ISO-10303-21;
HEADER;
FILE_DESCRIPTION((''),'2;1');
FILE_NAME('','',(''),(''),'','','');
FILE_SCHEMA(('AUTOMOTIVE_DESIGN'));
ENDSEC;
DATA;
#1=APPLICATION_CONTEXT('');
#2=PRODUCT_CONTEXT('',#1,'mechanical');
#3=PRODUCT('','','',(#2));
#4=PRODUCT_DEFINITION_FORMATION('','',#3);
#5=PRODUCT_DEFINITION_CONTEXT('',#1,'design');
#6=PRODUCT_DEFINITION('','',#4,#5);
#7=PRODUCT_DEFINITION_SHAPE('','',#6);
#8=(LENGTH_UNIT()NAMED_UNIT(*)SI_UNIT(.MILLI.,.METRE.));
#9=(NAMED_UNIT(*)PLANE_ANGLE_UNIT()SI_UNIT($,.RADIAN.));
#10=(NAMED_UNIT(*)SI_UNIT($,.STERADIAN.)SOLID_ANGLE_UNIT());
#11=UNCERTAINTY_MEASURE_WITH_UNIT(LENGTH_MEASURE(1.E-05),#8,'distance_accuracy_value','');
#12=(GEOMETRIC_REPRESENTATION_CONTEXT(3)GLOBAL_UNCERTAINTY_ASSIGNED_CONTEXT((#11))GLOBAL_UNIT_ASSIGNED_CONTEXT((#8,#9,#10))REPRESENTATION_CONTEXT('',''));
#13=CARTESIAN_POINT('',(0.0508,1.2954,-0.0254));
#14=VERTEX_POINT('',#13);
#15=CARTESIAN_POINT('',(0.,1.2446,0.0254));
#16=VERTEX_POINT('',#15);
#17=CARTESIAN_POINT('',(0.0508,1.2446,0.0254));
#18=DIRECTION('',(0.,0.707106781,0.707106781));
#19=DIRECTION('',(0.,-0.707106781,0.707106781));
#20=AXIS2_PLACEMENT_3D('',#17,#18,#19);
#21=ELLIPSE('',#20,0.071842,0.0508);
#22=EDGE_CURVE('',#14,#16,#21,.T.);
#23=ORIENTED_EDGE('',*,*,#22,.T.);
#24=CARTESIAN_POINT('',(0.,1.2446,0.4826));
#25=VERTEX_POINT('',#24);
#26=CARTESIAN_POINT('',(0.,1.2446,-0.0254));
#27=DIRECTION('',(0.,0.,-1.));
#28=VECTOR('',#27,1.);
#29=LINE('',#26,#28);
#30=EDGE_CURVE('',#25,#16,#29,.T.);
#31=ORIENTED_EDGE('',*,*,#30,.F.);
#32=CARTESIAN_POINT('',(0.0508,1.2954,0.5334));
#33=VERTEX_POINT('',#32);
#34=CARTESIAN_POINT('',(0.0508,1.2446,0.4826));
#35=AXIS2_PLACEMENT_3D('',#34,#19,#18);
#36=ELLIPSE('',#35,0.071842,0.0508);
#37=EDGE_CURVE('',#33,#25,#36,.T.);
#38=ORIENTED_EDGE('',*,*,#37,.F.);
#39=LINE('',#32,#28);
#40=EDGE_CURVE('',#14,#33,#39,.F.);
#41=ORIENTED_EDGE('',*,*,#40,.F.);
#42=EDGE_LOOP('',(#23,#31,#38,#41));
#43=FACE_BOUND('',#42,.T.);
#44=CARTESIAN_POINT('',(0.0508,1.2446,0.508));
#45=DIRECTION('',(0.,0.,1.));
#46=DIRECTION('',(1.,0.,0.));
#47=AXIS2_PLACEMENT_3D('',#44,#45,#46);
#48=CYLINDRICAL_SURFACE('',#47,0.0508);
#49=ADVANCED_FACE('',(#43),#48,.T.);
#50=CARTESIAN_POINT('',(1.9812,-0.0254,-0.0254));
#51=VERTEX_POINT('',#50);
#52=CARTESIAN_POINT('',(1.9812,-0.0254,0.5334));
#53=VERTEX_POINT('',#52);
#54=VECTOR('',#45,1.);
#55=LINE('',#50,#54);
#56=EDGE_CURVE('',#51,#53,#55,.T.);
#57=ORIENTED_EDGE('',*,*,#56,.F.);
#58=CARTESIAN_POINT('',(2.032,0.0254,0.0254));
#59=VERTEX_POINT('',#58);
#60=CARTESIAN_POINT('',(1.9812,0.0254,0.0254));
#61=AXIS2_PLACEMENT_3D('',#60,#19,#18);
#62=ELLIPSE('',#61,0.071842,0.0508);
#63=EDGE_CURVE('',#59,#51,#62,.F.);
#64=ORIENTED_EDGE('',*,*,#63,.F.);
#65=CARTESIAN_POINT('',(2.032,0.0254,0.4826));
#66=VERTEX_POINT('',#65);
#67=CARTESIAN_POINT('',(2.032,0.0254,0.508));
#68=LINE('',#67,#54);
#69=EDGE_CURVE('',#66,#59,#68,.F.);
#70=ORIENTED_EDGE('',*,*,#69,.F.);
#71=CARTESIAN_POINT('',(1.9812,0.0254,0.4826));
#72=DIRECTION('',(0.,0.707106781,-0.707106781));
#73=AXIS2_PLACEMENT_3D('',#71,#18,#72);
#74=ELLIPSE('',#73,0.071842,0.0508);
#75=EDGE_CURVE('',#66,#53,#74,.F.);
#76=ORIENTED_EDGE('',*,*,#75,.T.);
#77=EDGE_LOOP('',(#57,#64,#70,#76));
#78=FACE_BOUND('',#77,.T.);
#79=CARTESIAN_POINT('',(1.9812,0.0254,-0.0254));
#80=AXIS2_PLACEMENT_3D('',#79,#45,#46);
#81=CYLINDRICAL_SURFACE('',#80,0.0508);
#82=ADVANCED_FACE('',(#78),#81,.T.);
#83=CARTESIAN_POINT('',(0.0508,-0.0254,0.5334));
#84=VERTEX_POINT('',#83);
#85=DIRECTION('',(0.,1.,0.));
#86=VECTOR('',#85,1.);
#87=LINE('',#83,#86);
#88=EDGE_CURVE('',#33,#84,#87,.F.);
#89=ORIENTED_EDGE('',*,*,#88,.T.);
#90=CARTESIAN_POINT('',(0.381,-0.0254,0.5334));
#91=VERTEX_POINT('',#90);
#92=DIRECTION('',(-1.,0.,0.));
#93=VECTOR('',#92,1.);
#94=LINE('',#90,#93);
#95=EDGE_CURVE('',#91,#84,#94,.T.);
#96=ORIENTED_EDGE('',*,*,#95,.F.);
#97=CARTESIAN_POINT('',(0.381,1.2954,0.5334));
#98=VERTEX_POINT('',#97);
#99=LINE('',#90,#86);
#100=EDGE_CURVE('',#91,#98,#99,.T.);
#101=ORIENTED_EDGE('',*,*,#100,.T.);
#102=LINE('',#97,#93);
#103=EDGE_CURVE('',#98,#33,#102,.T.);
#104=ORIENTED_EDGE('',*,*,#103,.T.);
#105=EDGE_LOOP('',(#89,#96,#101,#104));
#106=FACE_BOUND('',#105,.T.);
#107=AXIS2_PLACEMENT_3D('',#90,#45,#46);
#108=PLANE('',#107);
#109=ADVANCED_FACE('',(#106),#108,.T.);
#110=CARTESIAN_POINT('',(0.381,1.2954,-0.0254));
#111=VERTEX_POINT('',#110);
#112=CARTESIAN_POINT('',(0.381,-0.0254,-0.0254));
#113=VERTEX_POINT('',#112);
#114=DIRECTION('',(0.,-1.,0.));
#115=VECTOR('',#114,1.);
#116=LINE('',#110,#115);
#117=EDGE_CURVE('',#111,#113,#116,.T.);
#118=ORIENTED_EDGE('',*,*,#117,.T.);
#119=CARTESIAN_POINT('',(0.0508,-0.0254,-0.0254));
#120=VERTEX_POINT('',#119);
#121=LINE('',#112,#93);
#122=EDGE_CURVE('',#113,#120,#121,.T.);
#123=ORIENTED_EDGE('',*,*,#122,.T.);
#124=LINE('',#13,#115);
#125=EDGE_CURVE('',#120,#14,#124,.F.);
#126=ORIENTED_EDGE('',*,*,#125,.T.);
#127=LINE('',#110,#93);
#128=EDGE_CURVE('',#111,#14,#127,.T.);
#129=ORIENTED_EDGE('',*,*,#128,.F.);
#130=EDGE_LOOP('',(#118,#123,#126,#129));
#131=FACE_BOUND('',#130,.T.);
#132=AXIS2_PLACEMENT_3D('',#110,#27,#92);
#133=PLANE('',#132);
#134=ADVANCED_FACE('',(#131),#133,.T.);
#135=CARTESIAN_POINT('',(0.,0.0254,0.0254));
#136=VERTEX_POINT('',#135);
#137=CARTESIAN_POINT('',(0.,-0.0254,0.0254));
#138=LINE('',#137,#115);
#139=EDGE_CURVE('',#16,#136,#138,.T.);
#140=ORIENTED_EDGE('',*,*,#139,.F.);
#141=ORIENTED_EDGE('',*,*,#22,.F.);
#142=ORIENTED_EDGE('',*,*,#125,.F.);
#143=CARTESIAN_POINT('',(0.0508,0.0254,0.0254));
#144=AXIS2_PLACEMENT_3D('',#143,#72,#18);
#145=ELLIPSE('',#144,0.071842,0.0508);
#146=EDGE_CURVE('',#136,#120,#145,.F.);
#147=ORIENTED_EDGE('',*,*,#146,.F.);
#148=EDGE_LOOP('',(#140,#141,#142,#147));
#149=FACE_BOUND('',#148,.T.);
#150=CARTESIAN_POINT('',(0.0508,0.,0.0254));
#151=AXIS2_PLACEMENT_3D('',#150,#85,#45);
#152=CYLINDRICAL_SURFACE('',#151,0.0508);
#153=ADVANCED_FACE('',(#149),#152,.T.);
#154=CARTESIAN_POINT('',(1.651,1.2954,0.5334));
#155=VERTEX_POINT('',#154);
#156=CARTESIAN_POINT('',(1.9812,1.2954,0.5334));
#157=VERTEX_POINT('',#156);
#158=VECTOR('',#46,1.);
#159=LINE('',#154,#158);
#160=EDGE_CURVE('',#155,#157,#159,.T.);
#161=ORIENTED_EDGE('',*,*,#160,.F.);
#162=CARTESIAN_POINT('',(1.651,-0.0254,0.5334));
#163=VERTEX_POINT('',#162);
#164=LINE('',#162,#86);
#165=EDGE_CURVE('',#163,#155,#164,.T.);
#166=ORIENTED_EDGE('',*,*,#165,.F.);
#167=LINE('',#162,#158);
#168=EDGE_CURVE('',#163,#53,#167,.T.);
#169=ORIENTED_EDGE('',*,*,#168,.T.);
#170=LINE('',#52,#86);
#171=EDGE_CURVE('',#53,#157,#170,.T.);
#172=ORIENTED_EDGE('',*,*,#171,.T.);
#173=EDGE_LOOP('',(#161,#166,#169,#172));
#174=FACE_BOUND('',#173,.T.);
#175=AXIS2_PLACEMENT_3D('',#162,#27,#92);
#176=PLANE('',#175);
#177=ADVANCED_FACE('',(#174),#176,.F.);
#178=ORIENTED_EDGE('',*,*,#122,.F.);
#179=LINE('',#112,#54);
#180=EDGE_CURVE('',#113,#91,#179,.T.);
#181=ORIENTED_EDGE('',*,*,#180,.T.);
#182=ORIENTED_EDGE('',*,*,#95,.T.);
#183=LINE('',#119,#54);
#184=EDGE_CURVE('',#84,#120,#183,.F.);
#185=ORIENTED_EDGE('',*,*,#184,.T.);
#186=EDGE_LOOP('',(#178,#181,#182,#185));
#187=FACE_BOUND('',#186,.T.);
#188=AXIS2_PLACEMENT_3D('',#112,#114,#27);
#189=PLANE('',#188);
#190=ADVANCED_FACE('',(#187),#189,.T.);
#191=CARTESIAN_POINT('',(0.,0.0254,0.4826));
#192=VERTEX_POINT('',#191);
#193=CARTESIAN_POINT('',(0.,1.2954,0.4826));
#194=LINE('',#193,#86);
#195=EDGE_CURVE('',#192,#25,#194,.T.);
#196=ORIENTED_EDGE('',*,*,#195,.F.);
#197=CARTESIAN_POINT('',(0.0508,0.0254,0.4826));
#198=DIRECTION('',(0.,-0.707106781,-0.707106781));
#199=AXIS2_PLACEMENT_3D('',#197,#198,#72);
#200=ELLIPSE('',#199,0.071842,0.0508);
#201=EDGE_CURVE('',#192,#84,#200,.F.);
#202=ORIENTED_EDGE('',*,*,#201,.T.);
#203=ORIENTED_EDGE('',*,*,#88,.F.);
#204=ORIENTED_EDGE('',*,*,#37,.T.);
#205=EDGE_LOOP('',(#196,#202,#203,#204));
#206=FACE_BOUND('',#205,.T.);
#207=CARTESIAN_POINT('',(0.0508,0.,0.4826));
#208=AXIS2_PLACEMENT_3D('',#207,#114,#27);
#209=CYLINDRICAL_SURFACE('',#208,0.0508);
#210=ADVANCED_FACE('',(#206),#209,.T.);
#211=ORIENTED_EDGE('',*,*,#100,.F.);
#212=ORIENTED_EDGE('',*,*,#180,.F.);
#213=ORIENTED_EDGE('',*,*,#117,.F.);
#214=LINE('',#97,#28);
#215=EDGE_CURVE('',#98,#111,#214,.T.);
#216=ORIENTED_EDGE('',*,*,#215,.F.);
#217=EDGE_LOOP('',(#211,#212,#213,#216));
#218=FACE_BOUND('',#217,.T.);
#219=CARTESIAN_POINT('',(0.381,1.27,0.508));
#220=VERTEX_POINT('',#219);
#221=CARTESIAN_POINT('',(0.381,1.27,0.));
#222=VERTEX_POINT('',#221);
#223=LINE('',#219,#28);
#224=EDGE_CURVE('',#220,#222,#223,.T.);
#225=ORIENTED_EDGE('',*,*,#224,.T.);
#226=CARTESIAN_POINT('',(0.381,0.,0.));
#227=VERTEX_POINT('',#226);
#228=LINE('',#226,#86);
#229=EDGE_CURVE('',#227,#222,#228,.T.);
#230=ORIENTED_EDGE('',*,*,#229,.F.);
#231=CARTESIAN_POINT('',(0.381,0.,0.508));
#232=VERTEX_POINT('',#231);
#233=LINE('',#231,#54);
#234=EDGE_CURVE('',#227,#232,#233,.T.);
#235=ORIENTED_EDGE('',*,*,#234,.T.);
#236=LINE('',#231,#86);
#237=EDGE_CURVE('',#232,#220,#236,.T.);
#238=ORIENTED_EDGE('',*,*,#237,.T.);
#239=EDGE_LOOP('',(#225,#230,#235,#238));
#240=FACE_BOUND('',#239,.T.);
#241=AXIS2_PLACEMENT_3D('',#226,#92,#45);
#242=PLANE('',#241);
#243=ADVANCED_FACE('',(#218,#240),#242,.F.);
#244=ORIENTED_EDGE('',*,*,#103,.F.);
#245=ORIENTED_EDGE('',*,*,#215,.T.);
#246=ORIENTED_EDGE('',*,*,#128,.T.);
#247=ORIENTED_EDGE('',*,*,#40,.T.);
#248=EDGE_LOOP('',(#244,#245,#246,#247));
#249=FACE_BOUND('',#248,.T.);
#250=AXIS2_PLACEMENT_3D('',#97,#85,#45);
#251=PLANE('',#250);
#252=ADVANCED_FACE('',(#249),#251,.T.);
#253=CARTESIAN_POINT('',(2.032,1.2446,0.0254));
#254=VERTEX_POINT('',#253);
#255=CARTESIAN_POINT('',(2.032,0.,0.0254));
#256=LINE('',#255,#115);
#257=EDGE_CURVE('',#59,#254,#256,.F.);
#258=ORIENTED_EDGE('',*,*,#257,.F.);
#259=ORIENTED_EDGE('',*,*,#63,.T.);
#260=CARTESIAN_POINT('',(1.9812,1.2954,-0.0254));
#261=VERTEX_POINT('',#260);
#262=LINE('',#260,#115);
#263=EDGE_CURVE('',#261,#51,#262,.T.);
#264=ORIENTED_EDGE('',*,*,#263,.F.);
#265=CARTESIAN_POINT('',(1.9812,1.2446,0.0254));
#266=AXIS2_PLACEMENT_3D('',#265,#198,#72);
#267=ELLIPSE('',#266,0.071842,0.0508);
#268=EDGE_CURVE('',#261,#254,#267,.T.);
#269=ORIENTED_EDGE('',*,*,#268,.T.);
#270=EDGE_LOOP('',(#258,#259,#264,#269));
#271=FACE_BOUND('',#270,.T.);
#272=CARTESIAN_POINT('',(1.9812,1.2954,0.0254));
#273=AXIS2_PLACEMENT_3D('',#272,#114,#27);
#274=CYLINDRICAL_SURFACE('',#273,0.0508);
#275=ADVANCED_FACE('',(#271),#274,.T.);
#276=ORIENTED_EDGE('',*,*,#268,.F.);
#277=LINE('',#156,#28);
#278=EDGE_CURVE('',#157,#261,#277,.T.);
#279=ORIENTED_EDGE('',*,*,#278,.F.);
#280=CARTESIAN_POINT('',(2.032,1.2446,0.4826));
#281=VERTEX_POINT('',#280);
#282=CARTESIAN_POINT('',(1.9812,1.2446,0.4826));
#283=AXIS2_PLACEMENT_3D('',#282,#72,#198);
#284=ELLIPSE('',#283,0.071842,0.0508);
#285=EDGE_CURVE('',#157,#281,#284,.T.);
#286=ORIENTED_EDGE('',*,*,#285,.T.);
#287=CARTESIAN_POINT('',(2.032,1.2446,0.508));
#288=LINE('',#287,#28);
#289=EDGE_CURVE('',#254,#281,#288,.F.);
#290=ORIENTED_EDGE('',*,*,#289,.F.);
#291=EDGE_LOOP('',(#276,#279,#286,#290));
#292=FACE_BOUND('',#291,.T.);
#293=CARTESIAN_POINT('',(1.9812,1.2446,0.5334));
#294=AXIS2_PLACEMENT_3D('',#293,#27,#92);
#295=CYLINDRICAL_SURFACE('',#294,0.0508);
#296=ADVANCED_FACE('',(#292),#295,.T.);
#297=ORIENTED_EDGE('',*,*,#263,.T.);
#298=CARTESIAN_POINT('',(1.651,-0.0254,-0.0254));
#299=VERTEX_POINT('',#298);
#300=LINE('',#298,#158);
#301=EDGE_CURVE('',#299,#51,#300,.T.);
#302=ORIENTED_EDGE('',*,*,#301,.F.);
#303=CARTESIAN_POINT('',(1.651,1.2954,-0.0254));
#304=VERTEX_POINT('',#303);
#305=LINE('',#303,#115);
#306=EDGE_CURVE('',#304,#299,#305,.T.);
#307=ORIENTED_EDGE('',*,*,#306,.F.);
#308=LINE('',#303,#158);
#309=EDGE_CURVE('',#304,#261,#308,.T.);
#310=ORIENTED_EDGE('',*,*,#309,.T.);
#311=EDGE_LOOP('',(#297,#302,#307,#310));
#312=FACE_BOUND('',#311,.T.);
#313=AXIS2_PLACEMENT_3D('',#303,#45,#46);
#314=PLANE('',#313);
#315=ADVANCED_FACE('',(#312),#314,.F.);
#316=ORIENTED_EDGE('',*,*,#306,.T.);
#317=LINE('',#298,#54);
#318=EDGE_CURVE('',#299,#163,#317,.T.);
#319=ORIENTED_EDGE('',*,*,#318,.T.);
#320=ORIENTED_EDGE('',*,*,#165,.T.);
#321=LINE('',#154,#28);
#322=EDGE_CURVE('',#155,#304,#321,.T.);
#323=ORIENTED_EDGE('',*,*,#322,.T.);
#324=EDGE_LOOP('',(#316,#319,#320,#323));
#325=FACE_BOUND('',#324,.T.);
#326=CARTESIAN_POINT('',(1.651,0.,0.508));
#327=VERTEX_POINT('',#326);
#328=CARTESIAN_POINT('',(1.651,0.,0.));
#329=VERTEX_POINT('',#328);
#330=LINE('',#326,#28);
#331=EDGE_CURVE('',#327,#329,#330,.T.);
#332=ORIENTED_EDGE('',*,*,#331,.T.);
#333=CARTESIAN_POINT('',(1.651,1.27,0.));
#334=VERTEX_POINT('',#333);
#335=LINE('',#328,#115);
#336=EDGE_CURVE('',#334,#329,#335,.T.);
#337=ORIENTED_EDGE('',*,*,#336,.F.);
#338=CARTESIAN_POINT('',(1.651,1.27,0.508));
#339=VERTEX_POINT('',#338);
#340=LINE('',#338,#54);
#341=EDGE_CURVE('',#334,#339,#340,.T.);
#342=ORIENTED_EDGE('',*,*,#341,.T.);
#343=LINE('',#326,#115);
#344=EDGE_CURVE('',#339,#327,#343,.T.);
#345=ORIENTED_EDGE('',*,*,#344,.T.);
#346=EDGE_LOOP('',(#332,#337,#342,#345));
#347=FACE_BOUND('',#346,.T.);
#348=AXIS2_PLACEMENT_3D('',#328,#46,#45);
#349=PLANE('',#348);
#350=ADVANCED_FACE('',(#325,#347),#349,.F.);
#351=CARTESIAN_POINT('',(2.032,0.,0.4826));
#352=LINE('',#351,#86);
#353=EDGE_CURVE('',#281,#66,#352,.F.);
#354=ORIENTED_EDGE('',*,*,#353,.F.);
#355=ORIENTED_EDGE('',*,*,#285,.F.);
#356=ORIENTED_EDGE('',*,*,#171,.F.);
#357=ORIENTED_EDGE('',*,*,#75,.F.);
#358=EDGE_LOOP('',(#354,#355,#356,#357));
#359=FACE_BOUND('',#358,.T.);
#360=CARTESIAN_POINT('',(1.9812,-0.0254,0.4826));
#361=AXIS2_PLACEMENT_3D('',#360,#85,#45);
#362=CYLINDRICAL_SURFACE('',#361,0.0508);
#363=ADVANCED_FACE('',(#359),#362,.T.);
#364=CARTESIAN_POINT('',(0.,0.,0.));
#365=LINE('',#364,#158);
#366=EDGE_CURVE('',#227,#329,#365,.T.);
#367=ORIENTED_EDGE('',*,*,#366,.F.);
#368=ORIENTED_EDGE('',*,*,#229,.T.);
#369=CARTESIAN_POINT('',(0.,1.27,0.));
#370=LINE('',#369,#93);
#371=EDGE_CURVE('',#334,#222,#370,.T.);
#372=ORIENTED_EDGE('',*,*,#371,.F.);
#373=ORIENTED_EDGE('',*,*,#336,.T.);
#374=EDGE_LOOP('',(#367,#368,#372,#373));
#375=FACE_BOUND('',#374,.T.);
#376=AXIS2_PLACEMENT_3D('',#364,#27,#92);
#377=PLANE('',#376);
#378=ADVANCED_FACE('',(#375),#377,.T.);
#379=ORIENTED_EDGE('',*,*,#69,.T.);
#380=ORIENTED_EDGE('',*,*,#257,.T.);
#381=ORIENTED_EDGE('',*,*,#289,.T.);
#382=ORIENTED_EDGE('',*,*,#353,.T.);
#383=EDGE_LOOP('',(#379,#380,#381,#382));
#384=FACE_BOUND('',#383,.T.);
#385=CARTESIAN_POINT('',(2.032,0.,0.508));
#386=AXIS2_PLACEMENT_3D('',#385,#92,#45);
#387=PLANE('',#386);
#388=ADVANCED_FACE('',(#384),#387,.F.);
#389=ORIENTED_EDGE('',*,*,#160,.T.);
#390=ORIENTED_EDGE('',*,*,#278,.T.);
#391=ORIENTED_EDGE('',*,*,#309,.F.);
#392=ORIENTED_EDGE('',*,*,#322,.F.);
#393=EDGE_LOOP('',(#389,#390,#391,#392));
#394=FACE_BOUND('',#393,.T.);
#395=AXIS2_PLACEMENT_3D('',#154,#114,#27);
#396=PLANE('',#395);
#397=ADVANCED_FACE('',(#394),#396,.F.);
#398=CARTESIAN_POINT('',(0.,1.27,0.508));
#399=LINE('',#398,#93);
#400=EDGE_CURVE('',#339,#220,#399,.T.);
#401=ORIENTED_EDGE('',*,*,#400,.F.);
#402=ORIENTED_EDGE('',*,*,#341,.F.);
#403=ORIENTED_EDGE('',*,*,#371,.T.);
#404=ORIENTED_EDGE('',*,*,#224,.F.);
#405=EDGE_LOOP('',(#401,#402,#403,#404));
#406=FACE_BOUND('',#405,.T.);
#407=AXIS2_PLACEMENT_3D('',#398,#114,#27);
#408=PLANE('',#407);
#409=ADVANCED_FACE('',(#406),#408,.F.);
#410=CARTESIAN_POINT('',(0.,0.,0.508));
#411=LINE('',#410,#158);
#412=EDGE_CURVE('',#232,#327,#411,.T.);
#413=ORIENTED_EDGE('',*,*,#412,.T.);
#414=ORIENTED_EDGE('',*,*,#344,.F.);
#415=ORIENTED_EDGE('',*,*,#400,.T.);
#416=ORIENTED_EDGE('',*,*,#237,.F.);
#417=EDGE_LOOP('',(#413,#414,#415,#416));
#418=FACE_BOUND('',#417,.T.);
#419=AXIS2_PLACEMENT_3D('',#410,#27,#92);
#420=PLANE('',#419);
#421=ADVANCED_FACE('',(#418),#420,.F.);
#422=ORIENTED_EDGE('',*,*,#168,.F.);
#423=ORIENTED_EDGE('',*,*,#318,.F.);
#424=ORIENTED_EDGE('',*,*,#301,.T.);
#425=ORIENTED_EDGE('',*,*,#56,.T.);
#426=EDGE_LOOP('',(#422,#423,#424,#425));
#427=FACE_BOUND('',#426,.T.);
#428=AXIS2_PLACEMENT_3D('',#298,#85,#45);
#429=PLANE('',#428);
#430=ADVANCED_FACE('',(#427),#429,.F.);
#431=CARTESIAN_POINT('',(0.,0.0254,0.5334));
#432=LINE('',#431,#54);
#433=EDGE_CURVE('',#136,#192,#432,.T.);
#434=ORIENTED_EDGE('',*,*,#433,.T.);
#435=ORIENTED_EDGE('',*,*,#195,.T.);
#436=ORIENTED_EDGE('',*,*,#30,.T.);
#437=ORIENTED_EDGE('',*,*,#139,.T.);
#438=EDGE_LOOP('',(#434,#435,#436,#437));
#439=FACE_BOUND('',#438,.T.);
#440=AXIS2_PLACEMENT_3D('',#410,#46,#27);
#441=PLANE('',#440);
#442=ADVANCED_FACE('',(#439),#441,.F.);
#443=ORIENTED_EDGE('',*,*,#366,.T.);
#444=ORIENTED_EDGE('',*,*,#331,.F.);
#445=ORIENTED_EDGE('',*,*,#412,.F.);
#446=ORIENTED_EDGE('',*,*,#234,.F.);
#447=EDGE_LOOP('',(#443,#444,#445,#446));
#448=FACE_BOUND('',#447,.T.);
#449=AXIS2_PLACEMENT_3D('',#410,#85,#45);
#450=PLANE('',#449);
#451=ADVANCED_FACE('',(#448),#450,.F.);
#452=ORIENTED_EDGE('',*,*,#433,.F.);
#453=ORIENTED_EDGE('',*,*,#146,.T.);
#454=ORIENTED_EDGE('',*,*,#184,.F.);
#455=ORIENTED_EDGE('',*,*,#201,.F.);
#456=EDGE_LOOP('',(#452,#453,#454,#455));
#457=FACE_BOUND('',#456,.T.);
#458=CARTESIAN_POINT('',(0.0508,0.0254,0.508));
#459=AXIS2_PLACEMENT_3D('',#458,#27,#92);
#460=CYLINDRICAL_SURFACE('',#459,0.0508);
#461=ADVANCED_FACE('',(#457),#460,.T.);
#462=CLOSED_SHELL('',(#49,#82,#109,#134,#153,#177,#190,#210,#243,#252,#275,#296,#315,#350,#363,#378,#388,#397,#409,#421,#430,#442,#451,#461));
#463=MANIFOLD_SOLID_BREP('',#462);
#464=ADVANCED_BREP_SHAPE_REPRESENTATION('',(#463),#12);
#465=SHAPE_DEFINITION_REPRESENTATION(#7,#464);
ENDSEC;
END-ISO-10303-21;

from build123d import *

# Parameters (mm, degrees)
SKETCH1_W           = 2.032
SKETCH1_H           = 1.27
BOSS_EXTRUDE1_DEPTH = 0.508
SKETCH2_W           = 0.5588
SKETCH2_H           = 1.3208
BOSS_EXTRUDE2_DEPTH = 0.381
FILLET1_R           = 0.0508


with BuildPart() as part:
    # Sketch1 → Boss-Extrude1 (new body)
    with BuildSketch(Plane.XY):
        with Locations((1.016, 0.635)):
            Rectangle(SKETCH1_W, SKETCH1_H)
    extrude(amount=BOSS_EXTRUDE1_DEPTH)

    # Sketch2 → Boss-Extrude2 (add)
    with BuildSketch(Plane.ZY):
        with Locations((0.254, 0.635)):
            Rectangle(SKETCH2_W, SKETCH2_H)
    boss_extrude2 = extrude(amount=-BOSS_EXTRUDE2_DEPTH)

    # Mirror1: Boss-Extrude2 across plane
    add(boss_extrude2.mirror(Plane.ZY.offset(-1.016)))

    # Fillet1
    fillet1_edges = [part.edges().sort_by_distance(p)[0] for p in [
        (0, 1.2954, 0.254),
        (0, 0.635, -0.0254),
        (0, -0.0254, 0.254),
        (0, 0.635, 0.5334),
        (2.032, 1.2954, 0.254),
        (2.032, 0.635, -0.0254),
        (2.032, -0.0254, 0.254),
        (2.032, 0.635, 0.5334),
    ]]
    fillet(fillet1_edges, radius=FILLET1_R)


solid = part.part
